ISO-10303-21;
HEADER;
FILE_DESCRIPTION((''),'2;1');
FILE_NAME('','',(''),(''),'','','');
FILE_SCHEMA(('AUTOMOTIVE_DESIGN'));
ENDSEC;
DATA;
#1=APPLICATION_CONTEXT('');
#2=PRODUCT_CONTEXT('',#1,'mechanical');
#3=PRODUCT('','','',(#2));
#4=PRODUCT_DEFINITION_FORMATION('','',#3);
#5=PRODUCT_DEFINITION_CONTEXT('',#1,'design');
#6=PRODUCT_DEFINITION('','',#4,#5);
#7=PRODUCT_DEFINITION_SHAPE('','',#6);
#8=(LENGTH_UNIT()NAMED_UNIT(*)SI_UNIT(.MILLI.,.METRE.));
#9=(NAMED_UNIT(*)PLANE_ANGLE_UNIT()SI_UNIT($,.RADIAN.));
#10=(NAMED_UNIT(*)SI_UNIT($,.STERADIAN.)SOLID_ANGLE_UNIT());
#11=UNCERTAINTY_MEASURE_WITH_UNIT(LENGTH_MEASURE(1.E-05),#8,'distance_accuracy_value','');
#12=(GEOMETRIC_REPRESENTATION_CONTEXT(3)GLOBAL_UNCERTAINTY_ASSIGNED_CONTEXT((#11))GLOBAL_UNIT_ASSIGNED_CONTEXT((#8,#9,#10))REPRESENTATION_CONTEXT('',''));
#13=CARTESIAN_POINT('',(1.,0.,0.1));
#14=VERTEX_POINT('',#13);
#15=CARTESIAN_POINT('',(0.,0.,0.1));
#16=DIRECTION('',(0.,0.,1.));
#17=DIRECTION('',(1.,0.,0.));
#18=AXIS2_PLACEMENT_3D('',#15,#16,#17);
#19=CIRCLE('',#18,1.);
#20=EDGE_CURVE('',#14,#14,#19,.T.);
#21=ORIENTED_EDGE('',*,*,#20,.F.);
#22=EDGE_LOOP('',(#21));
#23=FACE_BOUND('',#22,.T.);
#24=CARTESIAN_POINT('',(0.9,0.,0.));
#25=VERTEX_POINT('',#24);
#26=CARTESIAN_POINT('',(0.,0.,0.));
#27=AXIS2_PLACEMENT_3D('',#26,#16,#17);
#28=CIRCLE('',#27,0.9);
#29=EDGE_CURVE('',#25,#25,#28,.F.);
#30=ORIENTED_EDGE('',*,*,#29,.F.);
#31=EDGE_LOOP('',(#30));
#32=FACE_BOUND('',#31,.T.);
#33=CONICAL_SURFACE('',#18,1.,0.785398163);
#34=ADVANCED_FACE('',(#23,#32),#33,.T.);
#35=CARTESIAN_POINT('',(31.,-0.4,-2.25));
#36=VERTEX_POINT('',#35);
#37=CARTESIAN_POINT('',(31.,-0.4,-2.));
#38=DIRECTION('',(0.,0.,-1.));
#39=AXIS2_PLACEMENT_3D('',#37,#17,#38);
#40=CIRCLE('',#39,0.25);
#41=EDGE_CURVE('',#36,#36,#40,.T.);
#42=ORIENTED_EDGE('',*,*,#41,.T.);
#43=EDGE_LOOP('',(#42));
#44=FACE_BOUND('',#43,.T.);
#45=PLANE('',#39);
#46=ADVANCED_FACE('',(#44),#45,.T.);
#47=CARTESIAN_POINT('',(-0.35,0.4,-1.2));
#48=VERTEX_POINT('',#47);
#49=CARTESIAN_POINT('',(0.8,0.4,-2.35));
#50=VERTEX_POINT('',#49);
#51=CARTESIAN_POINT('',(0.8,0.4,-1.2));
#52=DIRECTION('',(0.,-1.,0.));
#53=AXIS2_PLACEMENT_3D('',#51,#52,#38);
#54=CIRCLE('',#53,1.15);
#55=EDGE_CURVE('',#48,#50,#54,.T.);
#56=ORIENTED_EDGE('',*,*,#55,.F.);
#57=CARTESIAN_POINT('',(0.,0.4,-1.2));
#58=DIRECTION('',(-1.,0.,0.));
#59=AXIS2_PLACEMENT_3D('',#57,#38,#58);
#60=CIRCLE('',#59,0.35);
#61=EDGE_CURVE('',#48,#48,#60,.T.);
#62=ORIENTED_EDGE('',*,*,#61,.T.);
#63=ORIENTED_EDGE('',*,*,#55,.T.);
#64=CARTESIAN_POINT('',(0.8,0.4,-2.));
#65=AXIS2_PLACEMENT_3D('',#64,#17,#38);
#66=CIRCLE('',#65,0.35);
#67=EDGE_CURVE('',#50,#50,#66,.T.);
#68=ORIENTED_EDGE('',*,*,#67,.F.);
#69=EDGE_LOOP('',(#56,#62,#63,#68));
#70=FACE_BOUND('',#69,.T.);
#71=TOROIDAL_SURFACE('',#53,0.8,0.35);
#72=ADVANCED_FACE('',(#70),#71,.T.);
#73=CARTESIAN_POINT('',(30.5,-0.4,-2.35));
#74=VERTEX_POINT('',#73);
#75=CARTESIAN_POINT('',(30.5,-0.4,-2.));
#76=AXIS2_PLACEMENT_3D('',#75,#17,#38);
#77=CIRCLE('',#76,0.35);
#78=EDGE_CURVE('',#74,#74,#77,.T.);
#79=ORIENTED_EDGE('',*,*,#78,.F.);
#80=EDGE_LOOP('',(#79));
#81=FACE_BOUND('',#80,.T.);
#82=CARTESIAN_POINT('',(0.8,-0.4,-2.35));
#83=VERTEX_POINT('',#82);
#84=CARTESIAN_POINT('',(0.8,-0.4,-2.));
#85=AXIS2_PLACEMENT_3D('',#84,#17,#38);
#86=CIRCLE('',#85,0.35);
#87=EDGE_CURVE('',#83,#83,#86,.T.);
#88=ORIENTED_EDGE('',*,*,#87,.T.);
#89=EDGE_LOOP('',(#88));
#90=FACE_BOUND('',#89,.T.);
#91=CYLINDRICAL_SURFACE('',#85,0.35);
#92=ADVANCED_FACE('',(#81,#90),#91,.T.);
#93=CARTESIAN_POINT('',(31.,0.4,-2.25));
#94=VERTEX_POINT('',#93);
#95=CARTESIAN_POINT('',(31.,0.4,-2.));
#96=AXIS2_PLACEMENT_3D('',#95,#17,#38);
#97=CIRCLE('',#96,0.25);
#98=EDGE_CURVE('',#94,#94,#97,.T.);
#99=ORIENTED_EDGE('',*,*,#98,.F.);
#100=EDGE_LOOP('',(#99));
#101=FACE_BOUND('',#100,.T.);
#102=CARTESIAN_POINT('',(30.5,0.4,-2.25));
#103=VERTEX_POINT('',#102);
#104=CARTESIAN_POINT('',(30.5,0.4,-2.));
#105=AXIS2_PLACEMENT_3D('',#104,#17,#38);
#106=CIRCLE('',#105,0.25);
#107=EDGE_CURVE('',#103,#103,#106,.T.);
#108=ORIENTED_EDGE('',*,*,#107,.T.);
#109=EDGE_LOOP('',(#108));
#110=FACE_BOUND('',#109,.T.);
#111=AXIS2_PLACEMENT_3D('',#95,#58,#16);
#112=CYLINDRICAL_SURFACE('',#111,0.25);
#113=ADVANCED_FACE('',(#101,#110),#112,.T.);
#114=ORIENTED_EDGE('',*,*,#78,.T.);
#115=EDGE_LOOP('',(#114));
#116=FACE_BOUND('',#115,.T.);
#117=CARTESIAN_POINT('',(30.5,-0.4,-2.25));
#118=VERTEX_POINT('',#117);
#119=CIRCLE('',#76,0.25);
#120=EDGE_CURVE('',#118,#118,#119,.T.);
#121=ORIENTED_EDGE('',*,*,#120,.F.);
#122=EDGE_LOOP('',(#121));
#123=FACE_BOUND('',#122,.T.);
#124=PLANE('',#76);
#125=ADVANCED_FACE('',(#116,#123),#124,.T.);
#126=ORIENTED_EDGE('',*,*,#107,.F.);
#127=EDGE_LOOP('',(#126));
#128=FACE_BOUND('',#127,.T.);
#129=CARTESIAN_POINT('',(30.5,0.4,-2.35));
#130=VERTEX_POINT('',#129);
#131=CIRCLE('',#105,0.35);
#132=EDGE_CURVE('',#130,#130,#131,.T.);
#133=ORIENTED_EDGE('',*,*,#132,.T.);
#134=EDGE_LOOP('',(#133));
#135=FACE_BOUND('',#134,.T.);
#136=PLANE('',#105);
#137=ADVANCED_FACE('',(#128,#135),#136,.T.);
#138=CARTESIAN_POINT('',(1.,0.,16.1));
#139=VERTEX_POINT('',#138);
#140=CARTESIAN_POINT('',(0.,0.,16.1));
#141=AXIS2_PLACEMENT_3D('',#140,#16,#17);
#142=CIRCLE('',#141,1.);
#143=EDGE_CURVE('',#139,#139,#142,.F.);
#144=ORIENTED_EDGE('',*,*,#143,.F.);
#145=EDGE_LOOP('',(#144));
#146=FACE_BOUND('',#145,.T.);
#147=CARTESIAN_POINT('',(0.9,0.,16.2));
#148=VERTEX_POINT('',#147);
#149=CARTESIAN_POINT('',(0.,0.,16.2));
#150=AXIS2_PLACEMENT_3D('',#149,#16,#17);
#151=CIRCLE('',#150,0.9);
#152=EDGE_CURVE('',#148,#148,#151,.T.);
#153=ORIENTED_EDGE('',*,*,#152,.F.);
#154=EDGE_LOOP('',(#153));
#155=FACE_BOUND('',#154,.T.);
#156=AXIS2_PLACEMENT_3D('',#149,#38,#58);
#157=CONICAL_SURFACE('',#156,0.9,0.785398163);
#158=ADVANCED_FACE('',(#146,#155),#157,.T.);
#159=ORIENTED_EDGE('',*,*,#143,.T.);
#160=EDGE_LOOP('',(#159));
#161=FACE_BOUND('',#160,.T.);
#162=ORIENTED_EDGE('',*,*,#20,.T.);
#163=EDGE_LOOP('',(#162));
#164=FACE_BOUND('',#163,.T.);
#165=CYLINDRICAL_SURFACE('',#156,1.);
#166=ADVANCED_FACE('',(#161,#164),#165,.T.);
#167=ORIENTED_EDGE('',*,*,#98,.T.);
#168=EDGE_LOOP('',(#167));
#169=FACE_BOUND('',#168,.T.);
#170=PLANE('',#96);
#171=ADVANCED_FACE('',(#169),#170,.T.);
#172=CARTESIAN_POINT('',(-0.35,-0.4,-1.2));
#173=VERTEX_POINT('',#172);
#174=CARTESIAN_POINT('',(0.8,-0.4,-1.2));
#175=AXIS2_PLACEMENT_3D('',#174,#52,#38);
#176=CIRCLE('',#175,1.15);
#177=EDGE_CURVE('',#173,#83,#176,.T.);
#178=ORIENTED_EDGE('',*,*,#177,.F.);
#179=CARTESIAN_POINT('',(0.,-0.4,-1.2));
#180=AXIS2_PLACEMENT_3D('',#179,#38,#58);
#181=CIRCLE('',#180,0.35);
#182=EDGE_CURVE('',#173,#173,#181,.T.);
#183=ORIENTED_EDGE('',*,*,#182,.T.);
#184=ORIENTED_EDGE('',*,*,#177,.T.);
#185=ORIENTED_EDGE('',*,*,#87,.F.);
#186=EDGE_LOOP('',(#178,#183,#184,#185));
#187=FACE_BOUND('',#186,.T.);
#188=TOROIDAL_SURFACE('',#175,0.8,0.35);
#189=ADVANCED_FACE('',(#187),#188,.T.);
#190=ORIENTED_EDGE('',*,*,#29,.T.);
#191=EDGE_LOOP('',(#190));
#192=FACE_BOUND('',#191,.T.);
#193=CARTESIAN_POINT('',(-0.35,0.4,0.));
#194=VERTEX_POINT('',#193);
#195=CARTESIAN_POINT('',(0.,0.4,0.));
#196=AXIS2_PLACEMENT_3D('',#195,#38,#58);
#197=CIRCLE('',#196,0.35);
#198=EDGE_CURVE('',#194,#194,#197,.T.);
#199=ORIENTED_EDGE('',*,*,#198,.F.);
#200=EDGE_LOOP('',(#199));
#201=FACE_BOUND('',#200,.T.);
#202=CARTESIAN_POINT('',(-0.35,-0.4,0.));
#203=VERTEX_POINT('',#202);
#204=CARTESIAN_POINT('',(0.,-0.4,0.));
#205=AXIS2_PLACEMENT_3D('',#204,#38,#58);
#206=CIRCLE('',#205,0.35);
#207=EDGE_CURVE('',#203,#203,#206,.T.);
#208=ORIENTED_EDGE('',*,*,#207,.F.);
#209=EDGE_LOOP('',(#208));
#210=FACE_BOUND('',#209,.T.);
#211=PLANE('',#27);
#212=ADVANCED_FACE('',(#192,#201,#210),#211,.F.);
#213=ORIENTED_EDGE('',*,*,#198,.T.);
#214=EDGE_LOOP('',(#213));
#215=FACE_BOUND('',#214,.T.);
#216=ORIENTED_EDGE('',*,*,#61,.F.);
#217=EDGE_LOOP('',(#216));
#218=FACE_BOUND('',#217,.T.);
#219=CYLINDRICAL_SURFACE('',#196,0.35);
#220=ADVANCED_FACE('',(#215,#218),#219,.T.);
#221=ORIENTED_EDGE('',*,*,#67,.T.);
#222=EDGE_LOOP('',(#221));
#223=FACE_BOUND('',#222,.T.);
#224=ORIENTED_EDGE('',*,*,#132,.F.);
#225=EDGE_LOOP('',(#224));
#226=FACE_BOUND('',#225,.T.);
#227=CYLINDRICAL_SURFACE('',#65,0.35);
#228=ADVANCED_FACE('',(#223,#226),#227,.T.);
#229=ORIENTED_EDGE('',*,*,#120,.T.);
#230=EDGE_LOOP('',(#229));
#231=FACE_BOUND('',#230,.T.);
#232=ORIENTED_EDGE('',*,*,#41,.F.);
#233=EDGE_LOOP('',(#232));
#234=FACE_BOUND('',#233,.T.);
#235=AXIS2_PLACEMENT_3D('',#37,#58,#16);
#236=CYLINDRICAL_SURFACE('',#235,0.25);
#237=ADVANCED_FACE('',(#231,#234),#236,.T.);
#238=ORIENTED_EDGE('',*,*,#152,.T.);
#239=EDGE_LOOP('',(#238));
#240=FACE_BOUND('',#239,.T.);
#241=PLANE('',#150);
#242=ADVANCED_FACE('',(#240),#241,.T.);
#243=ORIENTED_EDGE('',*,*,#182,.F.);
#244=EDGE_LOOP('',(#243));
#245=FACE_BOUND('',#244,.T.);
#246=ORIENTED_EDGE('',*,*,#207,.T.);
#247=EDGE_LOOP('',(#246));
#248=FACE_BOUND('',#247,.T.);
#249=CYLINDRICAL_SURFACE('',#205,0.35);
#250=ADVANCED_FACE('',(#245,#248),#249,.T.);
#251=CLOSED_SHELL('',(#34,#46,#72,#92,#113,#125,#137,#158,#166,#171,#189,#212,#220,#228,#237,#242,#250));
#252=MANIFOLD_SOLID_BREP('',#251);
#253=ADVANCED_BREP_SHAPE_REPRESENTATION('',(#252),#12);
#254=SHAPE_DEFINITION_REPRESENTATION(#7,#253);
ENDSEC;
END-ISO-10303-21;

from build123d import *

# Parameters (mm, degrees)
SKETCH1_R           = 1
CASING_DEPTH        = 16.2
CASING_CHAMFER_SIZE = 0.1
SKETCH3_R           = 0.35
SKETCH4_R           = 0.25
EXPOSED_WIRE_DEPTH  = 0.5


with BuildPart() as part:
    # Sketch1 → Casing (new body)
    with BuildSketch(Plane.XY):
        Circle(SKETCH1_R)
    extrude(amount=CASING_DEPTH)

    # Casing Chamfer
    casing_chamfer_edges = [part.edges().sort_by_distance(p)[0] for p in [
        (-1, 0, 0),
        (-1, 0, 16.2),
    ]]
    chamfer(casing_chamfer_edges, length=CASING_CHAMFER_SIZE)

    # Wire 2: sweep along a path in Sketch2
    with BuildLine(Plane(origin=(0, 0, 0), x_dir=(1, 0, 0), z_dir=(0, 1, 0))) as wire_2_path:
        Line((0, 0), (0, 1.2))
        ThreePointArc((0, 1.2), (0.234314575, 1.765685425), (0.8, 2))
        Line((0.8, 2), (30.5, 2))
    # Sketch3 → Wire 2 (sweep)
    with BuildSketch(Plane(origin=(0, 0, 0), x_dir=(-1, 0, 0), z_dir=(0, 0, -1))):
        with Locations((0, -0.4)):
            Circle(SKETCH3_R)
        with Locations((0, 0.4)):
            Circle(SKETCH3_R)
    sweep(path=wire_2_path.line)

    # Sketch4 → Exposed Wire (add)
    with BuildSketch(Plane(origin=(30.5, 0, 0), x_dir=(0, 0, -1), z_dir=(1, 0, 0))):
        with Locations((2, 0.4)):
            Circle(SKETCH4_R)
        with Locations((2, -0.4)):
            Circle(SKETCH4_R)
    extrude(amount=EXPOSED_WIRE_DEPTH)


solid = part.part
